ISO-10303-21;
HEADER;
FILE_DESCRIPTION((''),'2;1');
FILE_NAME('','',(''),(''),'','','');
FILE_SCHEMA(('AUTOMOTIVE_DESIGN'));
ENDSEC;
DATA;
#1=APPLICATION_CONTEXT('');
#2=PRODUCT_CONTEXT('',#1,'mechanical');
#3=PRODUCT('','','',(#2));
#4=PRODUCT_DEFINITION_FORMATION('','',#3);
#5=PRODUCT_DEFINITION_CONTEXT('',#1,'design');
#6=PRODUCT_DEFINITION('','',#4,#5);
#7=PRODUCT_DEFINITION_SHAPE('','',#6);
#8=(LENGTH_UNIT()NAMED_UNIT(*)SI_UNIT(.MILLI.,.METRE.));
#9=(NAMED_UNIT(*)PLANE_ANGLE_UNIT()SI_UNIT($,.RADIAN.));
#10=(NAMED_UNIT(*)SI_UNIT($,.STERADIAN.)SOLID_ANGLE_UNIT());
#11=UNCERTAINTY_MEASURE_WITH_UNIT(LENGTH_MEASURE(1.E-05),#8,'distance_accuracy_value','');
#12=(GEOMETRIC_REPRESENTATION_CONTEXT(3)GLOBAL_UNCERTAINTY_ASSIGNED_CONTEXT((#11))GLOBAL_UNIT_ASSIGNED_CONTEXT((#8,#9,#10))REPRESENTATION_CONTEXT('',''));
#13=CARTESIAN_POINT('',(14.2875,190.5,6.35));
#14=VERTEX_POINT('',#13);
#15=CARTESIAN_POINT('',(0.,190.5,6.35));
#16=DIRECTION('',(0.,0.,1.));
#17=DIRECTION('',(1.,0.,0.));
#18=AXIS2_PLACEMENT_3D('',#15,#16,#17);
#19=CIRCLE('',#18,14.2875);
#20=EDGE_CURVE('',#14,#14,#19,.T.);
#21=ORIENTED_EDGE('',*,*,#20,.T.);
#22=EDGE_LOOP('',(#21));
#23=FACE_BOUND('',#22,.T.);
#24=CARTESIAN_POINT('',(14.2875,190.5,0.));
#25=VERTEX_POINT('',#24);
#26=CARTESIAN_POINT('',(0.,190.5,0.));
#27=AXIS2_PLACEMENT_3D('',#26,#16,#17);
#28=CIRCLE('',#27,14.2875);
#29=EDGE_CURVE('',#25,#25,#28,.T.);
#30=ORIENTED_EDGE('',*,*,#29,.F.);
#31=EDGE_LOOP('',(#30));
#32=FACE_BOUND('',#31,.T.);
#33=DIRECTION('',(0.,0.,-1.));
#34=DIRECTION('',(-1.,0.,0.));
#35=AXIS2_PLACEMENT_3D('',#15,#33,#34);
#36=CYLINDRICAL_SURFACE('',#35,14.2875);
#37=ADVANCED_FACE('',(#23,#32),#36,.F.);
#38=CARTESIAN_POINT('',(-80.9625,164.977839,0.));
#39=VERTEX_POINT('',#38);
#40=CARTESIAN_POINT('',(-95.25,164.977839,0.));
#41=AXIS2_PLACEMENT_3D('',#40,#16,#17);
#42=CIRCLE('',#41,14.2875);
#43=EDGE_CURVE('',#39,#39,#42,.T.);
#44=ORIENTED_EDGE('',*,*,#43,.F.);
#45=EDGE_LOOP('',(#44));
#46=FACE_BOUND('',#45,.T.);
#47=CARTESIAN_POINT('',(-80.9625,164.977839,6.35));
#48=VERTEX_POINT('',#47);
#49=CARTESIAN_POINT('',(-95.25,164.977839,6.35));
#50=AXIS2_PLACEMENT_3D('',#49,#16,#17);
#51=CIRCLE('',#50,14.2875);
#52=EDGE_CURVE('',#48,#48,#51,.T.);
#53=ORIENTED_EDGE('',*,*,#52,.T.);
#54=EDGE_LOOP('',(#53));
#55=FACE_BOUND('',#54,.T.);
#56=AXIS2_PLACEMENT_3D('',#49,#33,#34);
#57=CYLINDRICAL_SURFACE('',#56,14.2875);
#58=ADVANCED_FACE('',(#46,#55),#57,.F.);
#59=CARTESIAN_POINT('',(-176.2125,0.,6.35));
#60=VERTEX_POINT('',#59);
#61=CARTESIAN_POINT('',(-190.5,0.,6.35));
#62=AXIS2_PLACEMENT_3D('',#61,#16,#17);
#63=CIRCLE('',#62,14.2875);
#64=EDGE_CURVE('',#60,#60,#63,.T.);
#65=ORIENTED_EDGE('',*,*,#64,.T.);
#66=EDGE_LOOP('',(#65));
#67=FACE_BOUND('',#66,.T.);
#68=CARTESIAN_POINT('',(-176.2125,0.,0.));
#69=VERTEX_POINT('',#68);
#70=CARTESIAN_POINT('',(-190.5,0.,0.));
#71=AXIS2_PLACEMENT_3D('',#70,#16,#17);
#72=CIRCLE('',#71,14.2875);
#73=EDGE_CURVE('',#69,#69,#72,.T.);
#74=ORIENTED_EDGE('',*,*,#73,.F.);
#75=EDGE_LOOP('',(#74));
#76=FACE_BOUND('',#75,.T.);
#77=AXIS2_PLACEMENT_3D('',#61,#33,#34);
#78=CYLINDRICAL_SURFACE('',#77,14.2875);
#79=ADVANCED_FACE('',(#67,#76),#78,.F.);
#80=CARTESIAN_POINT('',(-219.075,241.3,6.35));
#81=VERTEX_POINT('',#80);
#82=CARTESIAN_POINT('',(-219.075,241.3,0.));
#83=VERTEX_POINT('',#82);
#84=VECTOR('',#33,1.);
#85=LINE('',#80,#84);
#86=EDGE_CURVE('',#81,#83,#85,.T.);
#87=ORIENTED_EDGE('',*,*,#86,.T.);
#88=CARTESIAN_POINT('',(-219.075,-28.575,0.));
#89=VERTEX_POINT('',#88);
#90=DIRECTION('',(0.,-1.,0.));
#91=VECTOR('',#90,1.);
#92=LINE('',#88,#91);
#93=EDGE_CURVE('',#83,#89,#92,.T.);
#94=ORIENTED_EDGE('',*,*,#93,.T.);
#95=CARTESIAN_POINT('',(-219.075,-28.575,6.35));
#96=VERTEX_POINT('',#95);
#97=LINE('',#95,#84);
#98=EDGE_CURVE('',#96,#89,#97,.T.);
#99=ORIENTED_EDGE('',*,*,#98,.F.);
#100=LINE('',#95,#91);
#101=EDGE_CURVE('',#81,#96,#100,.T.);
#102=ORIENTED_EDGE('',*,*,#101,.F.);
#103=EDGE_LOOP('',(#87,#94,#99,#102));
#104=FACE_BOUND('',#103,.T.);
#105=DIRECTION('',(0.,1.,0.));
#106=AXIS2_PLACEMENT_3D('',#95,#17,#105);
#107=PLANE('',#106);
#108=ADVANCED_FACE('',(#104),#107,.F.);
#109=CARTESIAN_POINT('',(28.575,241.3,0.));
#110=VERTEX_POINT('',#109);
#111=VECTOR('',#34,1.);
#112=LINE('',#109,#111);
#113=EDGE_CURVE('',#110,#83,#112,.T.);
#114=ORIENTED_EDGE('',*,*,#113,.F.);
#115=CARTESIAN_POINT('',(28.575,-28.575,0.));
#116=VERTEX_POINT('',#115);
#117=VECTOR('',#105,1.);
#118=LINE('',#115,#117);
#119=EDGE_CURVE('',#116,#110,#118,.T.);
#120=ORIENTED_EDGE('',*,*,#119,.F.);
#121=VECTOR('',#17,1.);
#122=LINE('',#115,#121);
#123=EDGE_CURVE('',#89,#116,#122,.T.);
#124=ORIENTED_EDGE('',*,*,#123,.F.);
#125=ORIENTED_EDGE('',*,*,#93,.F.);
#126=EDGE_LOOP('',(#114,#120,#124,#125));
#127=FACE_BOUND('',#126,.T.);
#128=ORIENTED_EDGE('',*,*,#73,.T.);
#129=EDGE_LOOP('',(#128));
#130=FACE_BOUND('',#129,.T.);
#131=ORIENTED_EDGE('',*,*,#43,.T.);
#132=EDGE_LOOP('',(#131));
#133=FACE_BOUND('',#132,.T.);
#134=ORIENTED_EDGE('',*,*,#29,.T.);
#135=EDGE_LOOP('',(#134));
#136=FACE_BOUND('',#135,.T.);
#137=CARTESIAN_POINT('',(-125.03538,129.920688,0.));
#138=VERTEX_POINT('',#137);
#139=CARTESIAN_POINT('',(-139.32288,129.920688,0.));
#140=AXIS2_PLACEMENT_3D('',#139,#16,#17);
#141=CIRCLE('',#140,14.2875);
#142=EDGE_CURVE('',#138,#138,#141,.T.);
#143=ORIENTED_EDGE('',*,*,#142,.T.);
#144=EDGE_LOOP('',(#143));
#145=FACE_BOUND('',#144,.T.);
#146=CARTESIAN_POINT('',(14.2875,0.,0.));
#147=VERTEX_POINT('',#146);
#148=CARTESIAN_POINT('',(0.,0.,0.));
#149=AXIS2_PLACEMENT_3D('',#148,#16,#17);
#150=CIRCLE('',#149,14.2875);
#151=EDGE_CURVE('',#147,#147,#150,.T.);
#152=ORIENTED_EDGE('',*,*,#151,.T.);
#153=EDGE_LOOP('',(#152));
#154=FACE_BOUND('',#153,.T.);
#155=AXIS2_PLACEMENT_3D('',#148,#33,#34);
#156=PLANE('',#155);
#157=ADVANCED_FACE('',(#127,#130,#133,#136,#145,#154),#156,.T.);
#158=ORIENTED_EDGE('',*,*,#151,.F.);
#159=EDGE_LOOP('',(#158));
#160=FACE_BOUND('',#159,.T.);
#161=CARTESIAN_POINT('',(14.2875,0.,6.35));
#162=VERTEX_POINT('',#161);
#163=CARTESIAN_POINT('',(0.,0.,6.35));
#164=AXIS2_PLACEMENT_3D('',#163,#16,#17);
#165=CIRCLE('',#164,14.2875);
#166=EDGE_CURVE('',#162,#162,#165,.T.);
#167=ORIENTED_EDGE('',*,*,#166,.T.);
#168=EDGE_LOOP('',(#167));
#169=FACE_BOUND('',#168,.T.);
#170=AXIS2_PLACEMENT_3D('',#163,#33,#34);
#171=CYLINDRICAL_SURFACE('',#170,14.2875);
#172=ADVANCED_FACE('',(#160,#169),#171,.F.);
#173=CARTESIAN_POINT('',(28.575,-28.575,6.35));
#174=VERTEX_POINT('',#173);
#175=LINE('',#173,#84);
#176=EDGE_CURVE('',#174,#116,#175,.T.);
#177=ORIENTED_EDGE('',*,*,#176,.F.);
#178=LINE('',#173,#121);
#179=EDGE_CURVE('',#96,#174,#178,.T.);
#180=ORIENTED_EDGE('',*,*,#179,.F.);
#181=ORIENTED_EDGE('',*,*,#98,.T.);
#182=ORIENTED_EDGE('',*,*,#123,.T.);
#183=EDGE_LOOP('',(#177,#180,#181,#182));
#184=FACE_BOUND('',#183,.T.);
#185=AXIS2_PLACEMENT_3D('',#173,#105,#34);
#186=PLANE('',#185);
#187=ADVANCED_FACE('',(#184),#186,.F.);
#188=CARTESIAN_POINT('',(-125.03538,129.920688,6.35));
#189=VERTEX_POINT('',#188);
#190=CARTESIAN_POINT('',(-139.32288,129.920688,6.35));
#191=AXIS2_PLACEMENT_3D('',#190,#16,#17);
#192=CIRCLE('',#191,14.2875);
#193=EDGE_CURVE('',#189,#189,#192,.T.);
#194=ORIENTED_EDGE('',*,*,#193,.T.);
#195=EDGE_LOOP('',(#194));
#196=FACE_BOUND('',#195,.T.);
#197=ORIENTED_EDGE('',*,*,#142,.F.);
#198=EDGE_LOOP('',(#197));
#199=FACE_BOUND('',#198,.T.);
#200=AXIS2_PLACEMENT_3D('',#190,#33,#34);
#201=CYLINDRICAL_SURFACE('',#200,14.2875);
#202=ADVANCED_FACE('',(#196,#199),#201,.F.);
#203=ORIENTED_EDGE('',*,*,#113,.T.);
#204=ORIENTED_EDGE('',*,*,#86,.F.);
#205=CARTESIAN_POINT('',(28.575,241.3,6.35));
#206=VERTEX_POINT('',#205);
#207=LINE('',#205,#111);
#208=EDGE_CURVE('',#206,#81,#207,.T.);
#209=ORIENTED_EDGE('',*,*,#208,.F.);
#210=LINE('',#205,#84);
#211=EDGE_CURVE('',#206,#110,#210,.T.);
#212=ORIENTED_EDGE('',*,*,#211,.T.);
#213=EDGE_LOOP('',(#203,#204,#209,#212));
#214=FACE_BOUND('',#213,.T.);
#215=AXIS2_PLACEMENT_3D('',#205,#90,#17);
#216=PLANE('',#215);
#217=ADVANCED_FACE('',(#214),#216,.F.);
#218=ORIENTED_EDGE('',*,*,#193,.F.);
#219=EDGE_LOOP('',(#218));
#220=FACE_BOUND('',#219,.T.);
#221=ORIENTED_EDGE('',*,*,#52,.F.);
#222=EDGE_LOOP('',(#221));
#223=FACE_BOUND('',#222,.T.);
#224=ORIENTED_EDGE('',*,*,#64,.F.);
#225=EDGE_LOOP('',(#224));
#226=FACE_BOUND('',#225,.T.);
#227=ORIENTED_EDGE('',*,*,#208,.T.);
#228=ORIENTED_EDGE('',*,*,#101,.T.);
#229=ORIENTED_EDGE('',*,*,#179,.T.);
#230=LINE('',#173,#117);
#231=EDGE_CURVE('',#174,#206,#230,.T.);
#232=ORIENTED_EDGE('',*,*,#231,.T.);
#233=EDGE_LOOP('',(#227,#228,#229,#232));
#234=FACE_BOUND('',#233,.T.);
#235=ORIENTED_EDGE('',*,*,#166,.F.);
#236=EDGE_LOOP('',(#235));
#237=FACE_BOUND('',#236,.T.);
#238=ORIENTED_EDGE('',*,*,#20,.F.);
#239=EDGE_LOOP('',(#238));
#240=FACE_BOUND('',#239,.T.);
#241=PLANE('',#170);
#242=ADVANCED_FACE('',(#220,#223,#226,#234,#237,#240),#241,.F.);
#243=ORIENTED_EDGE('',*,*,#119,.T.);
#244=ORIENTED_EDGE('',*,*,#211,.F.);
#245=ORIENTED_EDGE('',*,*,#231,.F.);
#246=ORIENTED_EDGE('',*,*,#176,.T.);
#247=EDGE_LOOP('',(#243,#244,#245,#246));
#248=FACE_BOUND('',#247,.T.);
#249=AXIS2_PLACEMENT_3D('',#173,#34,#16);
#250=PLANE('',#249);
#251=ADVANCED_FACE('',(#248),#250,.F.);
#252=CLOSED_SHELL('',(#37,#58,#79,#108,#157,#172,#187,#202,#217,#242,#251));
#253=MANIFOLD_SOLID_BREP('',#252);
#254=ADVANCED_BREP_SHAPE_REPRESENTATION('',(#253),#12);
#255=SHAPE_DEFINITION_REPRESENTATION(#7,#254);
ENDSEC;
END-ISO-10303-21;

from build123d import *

# Parameters (mm, degrees)
SKETCH1_W                      = 247.65
SKETCH1_H                      = 269.875
SKETCH1_R                      = 14.2875
I_CAN_CHANGE_THESE_NAMES_DEPTH = 6.35


with BuildPart() as part:
    # Sketch1 → I CAN CHANGE THESE NAMES?! (new body)
    with BuildSketch(Plane.XY):
        with Locations((-95.25, 106.3625)):
            Rectangle(SKETCH1_W, SKETCH1_H)
        Circle(SKETCH1_R, mode=Mode.SUBTRACT)
        with Locations((-190.5, 0)):
            Circle(SKETCH1_R, mode=Mode.SUBTRACT)
        with Locations((-139.322880158, 129.920687592)):
            Circle(SKETCH1_R, mode=Mode.SUBTRACT)
        with Locations((-95.25, 164.977839421)):
            Circle(SKETCH1_R, mode=Mode.SUBTRACT)
        with Locations((0, 190.5)):
            Circle(SKETCH1_R, mode=Mode.SUBTRACT)
    extrude(amount=I_CAN_CHANGE_THESE_NAMES_DEPTH)


solid = part.part
